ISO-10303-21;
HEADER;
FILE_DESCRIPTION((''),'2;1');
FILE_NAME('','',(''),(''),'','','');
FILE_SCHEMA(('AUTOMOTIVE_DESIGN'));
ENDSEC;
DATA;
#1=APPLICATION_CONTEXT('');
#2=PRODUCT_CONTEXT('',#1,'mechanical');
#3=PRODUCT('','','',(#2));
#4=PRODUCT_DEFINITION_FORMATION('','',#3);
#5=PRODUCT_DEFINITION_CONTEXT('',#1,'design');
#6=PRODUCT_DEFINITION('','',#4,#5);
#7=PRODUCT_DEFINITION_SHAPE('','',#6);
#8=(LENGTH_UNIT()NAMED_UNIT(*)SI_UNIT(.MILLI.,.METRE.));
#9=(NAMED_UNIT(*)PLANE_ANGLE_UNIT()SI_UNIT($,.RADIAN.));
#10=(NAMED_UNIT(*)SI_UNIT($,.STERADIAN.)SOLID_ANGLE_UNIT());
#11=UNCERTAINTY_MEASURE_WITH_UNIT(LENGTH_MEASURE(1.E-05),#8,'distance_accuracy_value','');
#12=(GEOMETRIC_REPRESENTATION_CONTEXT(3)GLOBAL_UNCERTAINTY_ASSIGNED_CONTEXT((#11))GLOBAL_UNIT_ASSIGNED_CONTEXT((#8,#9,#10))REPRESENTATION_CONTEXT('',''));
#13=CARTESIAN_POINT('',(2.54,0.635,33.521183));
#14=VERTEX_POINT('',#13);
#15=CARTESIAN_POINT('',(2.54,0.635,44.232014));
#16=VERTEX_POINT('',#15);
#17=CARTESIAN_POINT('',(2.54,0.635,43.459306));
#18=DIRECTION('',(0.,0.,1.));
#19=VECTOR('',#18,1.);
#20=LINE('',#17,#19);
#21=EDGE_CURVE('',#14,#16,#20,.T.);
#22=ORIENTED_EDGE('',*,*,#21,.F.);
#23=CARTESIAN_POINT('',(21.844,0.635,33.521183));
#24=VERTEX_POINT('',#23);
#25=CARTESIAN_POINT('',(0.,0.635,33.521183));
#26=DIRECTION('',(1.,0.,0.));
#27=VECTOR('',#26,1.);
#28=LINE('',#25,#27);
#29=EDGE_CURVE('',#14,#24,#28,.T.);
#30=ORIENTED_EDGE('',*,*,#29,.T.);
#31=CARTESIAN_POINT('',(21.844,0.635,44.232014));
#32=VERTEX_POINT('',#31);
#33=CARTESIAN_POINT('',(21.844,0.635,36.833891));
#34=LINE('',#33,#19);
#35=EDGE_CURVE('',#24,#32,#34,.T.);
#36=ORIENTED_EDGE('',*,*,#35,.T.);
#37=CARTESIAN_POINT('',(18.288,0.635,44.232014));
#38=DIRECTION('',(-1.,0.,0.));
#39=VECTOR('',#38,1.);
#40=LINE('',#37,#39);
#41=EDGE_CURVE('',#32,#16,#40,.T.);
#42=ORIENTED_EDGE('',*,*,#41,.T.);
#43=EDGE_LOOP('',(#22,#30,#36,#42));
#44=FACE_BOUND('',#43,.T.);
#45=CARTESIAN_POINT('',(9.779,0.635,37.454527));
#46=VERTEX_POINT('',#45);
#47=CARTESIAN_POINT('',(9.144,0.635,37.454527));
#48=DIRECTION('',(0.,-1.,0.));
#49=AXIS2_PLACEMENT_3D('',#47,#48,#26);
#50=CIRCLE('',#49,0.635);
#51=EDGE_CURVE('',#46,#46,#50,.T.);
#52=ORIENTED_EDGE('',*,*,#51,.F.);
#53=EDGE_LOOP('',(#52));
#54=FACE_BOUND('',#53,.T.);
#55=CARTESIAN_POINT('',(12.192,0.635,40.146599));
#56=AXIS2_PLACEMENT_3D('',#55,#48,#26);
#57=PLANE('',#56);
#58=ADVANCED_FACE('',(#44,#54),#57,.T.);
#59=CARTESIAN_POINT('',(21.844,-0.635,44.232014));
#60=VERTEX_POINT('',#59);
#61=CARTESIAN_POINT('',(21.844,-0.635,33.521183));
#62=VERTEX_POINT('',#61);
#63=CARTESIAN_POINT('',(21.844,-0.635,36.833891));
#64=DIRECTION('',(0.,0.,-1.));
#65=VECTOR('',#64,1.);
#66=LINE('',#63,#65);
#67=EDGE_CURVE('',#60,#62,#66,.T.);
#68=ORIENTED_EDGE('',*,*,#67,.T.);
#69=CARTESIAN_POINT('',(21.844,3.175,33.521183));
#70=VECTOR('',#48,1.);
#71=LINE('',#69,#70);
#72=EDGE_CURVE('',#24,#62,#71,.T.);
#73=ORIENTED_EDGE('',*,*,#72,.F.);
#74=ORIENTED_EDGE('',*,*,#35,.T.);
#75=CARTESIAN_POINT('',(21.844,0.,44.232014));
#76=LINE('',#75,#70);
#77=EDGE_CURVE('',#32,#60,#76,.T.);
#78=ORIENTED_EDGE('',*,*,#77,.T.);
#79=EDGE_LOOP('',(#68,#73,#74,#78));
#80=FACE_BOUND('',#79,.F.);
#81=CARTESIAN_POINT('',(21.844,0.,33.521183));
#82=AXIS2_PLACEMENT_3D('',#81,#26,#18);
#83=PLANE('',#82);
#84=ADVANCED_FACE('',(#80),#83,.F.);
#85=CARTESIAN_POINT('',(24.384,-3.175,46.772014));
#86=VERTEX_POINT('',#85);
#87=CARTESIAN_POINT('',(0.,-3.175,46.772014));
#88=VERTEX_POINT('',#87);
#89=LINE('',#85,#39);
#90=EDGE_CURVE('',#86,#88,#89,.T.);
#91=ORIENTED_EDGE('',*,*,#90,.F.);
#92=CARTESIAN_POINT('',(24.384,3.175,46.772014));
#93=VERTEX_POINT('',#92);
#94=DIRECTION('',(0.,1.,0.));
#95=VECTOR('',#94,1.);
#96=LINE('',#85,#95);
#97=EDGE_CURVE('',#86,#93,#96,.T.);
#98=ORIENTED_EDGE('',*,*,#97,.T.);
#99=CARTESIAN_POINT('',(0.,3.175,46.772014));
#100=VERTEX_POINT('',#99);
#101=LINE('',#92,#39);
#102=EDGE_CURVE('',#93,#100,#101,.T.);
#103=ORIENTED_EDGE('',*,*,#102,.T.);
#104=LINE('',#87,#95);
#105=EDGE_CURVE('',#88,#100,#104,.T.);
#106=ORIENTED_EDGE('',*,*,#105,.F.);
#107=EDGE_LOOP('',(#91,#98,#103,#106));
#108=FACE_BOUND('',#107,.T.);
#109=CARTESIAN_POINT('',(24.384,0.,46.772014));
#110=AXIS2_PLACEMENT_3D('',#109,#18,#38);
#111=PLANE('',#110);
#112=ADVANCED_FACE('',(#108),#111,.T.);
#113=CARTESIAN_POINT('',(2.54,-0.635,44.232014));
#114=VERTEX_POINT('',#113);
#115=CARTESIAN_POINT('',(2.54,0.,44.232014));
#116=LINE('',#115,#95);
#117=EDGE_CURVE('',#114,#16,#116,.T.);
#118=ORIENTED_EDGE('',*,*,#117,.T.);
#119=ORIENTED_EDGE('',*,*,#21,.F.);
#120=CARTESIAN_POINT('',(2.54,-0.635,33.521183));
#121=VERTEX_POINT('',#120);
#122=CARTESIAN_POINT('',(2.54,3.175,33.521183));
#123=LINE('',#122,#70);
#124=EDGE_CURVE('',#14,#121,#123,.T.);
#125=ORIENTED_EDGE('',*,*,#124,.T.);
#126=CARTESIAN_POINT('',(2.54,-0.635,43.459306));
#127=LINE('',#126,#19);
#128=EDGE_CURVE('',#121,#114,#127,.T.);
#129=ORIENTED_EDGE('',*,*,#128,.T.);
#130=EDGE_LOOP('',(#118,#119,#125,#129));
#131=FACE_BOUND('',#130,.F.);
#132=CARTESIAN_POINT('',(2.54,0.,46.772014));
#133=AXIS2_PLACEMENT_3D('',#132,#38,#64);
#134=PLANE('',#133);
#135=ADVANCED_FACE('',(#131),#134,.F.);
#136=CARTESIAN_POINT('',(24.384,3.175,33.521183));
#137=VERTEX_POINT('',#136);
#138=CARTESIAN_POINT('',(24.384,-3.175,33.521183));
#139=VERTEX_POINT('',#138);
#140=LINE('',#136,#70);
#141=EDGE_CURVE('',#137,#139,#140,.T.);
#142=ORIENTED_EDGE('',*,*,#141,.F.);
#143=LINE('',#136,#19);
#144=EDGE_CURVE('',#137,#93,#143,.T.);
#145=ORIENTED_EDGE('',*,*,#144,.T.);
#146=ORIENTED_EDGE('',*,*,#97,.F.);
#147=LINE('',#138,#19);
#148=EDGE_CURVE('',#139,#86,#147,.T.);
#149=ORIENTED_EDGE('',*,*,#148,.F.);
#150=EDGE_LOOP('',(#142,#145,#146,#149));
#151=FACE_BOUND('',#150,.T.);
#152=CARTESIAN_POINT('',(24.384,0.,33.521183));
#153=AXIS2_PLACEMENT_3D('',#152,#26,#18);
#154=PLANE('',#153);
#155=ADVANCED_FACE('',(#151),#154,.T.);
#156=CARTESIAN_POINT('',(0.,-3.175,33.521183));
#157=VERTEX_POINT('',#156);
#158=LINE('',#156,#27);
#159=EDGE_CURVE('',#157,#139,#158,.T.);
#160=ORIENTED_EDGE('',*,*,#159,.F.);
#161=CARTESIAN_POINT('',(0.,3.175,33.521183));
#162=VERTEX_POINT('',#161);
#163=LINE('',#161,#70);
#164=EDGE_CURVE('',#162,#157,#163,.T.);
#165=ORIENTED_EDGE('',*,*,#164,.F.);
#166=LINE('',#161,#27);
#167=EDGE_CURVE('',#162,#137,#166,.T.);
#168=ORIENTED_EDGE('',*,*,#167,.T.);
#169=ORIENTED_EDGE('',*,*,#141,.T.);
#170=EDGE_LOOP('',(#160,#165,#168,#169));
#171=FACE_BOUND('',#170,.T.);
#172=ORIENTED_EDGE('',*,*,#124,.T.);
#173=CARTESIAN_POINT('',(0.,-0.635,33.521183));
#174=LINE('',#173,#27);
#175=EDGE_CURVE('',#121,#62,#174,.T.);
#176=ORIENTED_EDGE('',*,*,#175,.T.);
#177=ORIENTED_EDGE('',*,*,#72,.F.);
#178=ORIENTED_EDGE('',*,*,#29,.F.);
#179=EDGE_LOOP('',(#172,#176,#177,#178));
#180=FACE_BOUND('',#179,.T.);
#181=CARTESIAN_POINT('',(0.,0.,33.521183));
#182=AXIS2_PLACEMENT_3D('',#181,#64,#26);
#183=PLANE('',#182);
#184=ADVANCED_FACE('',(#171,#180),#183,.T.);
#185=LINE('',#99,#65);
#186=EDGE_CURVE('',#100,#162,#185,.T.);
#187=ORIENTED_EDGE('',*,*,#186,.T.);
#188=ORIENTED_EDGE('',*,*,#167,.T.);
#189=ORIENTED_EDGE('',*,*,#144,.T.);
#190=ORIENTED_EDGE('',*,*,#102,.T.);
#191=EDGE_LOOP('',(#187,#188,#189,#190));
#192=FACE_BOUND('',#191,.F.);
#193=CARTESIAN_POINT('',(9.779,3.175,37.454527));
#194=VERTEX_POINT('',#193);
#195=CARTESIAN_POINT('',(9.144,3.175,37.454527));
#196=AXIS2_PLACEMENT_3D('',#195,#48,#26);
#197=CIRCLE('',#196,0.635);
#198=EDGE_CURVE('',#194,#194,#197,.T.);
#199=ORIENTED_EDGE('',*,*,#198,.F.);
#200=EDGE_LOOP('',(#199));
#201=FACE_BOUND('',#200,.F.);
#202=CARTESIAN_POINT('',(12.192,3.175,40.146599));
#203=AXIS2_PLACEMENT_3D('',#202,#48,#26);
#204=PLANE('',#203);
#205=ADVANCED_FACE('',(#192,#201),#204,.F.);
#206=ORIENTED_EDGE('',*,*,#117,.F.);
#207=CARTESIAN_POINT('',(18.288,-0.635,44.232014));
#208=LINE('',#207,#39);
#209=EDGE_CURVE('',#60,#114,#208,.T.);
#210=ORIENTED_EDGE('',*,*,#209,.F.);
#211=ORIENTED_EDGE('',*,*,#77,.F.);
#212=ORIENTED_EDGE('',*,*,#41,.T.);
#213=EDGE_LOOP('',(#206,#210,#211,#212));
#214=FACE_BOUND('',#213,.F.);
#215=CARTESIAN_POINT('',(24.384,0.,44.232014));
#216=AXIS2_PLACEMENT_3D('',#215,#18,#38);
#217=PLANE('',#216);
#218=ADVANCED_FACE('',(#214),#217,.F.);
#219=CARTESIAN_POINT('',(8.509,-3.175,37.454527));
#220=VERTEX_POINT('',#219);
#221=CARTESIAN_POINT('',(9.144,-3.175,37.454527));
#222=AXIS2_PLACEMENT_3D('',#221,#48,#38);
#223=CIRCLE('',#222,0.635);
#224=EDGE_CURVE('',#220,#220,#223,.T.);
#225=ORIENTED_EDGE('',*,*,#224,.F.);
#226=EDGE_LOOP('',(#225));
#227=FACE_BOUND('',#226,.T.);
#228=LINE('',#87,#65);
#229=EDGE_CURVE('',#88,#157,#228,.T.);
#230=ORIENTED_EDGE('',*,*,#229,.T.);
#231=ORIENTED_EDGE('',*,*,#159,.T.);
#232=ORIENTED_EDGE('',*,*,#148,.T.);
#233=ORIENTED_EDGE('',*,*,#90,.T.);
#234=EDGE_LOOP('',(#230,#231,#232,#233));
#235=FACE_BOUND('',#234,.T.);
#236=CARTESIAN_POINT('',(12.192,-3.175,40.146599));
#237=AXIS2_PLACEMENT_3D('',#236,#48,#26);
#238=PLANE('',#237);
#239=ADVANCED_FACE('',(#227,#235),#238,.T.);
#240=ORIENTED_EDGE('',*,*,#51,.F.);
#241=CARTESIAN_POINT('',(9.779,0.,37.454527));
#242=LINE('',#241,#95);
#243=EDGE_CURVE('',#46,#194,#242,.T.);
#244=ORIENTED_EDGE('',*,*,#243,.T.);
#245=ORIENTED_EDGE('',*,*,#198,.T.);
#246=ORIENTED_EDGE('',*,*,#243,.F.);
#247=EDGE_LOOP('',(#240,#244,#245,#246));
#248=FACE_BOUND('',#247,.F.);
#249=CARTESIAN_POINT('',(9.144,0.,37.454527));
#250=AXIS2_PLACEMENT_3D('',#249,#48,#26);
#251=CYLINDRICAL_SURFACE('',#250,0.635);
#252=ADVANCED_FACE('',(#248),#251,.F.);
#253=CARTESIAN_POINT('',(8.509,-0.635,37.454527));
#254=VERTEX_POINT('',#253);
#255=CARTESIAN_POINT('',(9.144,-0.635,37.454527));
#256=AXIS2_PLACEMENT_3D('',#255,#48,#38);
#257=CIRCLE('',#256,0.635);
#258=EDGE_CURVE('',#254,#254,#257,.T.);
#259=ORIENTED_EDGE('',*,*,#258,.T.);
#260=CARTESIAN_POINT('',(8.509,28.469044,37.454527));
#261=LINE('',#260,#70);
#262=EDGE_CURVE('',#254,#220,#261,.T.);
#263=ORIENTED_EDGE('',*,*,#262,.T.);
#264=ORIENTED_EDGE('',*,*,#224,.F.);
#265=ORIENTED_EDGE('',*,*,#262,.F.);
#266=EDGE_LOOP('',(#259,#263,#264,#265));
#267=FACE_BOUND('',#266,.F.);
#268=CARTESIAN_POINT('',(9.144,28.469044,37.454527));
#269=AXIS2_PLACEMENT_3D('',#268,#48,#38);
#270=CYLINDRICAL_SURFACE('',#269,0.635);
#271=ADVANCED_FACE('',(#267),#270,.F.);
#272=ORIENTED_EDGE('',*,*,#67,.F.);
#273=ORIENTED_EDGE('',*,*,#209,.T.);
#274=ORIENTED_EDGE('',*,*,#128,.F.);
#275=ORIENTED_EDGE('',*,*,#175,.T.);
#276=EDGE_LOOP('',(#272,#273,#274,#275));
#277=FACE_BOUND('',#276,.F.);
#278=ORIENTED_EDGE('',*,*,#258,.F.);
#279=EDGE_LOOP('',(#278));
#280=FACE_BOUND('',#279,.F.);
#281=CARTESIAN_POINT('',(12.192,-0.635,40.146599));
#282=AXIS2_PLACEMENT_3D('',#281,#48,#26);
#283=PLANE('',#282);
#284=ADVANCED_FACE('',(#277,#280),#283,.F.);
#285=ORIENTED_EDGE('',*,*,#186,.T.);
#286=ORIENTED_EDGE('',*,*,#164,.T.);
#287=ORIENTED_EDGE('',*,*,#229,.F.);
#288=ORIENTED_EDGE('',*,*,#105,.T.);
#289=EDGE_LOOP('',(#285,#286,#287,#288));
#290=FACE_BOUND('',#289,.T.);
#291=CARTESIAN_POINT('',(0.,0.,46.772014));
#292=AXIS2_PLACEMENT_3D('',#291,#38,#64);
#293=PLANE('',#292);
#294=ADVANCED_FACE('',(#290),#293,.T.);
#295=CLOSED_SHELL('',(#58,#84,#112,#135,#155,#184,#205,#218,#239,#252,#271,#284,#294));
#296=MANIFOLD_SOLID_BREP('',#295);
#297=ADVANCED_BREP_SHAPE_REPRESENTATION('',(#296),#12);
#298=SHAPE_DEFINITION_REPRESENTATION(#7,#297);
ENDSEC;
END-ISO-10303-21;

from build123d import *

# Parameters (mm, degrees)
F1_DEPTH = 3.175
F2_T     = -2.54
F3_D     = 1.27
F3_DEPTH = 3.176
F4_D     = 1.27


with BuildPart() as f1:
    # F0 (on Front) → F1 (new body, symmetric)
    with BuildSketch(Plane.XZ):
        Polygon((0, 46.7720143497), (0, 33.5211828351), (6.096, 33.5211828351), (9.144, 33.5211828351), (12.192, 33.5211828351), (24.384, 33.5211828351), (24.384, 46.7720143497), align=None)
    extrude(amount=F1_DEPTH, both=True)

    # F2
    f2_openings = [f1.faces().sort_by_distance(p)[0] for p in [
        (12.192, 0, 33.521183),
    ]]
    offset(amount=F2_T, openings=f2_openings)

    # F3 (through all, one way)
    with BuildSketch(Plane.XZ):
        with Locations((9.144, 37.4545268714)):
            Circle(F3_D / 2)
    extrude(amount=-F3_DEPTH, mode=Mode.SUBTRACT)

    # F4 (through all)
    with Locations(Plane(origin=(0, 0, 0), x_dir=(1, 0, 0), z_dir=(0, 1, 0))):
        with Locations((9.144, -37.4545268714)):
            Hole(F4_D / 2)


solid = f1.part
